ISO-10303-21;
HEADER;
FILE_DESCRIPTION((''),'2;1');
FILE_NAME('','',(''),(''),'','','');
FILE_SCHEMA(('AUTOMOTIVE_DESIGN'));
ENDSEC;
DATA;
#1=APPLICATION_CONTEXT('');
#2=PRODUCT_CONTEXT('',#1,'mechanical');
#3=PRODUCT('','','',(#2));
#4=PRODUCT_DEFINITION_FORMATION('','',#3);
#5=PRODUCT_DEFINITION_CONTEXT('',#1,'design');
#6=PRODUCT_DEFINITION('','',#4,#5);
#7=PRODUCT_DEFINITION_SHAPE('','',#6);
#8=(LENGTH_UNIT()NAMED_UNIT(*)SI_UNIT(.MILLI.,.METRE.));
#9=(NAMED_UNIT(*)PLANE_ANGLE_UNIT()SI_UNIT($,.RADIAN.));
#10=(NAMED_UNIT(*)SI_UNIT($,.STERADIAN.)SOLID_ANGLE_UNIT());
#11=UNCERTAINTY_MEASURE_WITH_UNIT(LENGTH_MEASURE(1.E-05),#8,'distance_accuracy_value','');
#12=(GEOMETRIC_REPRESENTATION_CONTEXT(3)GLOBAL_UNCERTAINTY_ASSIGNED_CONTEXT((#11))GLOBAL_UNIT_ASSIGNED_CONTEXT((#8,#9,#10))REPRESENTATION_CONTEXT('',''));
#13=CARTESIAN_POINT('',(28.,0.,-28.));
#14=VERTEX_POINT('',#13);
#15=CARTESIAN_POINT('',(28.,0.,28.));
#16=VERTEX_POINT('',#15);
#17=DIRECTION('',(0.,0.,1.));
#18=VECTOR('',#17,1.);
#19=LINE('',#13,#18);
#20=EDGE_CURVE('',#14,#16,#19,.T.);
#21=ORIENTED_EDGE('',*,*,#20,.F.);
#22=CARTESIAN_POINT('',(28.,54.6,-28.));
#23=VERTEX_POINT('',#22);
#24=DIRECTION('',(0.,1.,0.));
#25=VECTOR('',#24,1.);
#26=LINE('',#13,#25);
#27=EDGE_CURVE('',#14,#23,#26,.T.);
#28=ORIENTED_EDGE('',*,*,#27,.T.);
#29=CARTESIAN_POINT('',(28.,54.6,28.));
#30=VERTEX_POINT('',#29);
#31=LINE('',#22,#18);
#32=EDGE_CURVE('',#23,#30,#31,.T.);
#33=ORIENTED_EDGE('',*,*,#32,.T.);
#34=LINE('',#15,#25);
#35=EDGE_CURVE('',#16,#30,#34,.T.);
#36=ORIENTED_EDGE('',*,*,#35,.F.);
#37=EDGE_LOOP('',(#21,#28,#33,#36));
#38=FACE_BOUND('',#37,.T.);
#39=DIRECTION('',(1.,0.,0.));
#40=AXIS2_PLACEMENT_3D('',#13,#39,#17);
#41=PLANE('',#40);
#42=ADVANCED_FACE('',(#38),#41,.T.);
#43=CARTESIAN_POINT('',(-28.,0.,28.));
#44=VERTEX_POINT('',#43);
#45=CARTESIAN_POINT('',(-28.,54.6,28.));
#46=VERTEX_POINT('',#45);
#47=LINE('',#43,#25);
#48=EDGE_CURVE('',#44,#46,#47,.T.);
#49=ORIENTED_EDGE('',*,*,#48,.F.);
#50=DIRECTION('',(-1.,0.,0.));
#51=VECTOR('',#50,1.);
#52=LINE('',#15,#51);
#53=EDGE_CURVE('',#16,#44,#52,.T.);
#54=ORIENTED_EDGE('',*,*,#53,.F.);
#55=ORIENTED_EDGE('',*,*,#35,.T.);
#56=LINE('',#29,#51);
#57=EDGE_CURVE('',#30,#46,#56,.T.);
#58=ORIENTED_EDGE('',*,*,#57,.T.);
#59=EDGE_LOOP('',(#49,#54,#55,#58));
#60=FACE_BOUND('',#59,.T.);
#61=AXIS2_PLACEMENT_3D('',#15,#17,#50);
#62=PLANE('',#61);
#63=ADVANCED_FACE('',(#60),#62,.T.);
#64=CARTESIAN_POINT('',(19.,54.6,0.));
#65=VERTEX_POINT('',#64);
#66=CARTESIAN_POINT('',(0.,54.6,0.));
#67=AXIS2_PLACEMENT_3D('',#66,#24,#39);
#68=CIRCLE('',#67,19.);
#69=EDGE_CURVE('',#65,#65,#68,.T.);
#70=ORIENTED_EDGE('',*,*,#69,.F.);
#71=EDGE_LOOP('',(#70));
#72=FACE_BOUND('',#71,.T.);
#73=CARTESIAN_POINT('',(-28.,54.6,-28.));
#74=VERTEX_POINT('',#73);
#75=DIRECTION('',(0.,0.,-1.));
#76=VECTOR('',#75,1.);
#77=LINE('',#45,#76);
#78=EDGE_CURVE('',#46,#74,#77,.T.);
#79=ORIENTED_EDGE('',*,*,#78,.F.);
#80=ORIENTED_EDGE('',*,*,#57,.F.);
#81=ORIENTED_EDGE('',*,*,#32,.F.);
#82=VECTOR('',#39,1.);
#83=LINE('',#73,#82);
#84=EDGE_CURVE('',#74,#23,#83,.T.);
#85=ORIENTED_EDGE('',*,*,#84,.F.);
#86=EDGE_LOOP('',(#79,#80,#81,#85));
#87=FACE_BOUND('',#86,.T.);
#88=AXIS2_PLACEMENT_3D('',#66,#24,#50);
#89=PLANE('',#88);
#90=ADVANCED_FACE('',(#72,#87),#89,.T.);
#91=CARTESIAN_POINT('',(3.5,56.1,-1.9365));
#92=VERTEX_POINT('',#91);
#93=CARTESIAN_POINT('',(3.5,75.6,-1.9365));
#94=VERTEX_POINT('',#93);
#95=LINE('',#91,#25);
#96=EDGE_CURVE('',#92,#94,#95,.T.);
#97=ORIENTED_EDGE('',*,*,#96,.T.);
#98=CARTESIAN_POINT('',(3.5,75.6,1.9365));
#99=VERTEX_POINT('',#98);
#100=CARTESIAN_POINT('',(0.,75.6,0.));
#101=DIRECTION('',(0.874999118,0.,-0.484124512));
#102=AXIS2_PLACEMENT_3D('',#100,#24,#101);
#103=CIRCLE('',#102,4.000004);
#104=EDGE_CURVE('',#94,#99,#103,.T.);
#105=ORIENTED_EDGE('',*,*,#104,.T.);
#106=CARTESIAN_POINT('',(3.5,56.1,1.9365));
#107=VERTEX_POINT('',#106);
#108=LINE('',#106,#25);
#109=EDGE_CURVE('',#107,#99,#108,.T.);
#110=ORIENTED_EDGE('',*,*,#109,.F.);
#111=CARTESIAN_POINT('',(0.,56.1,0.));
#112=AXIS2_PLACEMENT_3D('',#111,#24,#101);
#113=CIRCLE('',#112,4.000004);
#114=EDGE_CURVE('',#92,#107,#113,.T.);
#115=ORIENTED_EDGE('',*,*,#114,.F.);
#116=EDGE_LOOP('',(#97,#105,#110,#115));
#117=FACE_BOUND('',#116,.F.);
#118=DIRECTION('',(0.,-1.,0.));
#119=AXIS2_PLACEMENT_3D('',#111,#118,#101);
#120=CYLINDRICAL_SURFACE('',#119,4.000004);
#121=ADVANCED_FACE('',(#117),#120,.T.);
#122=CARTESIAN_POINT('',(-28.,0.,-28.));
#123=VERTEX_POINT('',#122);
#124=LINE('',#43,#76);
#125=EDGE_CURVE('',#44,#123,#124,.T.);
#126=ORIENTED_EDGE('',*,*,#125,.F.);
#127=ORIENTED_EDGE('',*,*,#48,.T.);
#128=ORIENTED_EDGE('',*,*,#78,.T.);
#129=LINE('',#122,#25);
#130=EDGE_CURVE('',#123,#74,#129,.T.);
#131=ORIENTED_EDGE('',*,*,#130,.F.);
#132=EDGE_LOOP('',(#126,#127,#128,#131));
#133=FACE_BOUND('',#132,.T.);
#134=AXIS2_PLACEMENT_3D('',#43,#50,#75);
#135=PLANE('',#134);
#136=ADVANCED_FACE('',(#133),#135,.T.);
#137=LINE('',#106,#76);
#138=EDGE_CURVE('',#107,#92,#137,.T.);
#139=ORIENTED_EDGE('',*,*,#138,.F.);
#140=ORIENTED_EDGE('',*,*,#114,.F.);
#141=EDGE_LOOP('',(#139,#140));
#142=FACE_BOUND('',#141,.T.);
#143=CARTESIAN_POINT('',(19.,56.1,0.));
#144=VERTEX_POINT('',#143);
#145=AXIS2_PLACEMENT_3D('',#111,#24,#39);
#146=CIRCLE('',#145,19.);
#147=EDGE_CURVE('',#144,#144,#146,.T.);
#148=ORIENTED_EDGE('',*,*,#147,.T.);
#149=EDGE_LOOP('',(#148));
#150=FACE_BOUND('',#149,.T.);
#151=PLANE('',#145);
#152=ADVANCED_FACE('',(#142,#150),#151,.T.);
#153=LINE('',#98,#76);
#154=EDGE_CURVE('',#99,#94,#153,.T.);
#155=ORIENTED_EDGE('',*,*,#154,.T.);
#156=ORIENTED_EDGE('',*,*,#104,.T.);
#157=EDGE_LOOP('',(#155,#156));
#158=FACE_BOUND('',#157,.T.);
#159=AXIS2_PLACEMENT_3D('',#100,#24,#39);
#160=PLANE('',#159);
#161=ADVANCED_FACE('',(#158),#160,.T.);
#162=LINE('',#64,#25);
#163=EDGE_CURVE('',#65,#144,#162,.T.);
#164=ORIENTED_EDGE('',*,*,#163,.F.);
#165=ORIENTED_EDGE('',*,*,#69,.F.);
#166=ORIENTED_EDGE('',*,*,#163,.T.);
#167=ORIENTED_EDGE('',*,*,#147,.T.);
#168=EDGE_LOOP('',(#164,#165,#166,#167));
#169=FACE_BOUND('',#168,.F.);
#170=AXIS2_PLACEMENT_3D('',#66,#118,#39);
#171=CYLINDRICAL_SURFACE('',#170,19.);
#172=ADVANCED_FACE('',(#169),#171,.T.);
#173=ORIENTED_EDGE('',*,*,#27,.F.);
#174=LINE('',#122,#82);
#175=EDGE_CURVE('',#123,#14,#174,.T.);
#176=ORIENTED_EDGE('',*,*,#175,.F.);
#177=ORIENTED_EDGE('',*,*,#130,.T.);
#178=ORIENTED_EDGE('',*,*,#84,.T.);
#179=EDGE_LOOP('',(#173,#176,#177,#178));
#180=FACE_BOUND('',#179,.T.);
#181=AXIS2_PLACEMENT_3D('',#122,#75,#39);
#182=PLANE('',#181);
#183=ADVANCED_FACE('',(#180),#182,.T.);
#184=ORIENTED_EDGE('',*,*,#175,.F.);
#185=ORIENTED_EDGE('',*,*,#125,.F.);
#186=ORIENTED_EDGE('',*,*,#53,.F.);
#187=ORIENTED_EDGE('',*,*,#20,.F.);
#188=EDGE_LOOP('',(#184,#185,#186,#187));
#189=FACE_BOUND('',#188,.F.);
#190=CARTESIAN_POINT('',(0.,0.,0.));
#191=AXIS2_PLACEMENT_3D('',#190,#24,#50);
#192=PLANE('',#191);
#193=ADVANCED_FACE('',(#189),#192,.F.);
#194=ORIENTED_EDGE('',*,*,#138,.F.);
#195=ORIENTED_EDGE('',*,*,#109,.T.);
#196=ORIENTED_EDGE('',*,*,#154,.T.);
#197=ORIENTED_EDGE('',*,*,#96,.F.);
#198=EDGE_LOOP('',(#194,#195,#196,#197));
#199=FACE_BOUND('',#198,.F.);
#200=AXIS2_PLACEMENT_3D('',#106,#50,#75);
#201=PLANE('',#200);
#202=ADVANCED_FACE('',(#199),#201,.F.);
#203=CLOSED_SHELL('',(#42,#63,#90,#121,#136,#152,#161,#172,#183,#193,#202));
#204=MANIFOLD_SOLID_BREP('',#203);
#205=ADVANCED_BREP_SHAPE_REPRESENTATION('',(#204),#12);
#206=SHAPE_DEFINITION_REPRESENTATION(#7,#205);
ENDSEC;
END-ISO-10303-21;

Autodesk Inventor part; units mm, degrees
ref_plane "YZ Plane" through (0, 0, 0) normal (1, 0, 0) x (0, 1, 0)
ref_plane "XZ Plane" through (0, 0, 0) normal (0, 1, 0) x (-1, 0, 0)
ref_plane "XY Plane" through (0, 0, 0) normal (0, 0, 1) x (1, 0, 0)
sketch "Sketch1" plane through (0, 0, 0) normal (0, 1, 0) x (-1, 0, 0)
  line L0 (-28, 28) -> (28, 28)
  line L1 (28, 28) -> (28, -28)
  line L2 (28, -28) -> (-28, -28)
  line L3 (-28, -28) -> (-28, 28)
  line L4 (-28, 28) -> (28, -28) construction
  line L5 (28, 28) -> (-28, -28) construction
  point P0 (0, 0)
  dimension "d0" = 56
  dimension "d1" = 56
extrude "Extrusion1" add sketch "Sketch1" along normal blind 54.6
sketch "Sketch2" plane through (0, 54.6, 0) normal (0, 1, 0) x (1, 0, 0)
  circle A0 centre (0, 0) radius 19
  dimension "d4" = 38
extrude "Extrusion2" add sketch "Sketch2" along normal blind 1.5
sketch "Sketch3" plane through (0, 56.1, 0) normal (0, 1, 0) x (1, 0, 0)
  arc A0 (3.5, 1.9365) -> (3.5, -1.9365) centre (0, 0) ccw
  line L0 (3.5, -1.9365) -> (3.5, 1.9365)
  point P0 (4, 0)
  dimension "d7" = 8
  dimension "d8" = 0.5
extrude "Extrusion3" add sketch "Sketch3" along normal blind 19.5
properties part number "Linear Rail motor"
